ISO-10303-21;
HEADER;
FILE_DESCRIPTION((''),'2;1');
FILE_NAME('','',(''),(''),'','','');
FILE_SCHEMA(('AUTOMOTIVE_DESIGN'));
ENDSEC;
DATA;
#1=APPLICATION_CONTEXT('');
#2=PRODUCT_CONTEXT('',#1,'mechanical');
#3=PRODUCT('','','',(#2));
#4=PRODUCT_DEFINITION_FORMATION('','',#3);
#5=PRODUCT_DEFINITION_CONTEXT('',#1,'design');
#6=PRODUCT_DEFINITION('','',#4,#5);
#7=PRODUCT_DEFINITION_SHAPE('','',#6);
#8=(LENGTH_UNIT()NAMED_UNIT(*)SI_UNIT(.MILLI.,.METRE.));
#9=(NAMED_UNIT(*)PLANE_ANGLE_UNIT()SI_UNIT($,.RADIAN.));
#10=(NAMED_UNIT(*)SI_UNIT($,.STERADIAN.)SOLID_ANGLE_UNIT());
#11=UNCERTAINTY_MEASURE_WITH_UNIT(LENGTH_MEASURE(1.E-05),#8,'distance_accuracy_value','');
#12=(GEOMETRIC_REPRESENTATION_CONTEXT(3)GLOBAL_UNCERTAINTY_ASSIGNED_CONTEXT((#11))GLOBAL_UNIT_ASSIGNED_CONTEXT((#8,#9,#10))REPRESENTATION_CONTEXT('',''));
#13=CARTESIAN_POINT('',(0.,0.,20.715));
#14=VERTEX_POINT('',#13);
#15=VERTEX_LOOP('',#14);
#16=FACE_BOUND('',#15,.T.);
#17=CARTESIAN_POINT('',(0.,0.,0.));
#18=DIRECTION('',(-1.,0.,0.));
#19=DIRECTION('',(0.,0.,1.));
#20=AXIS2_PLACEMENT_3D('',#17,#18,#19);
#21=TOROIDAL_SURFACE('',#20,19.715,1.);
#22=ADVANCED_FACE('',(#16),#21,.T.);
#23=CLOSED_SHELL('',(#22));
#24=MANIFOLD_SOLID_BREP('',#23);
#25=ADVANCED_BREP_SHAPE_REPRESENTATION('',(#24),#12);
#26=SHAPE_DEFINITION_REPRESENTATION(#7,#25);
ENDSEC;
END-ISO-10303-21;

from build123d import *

# Parameters (mm, degrees)
SCHIZZO2_R = 1


with BuildPart() as part:
    # Schizzo2 → Rivoluzione1 (revolve)
    with BuildSketch(Plane.XY, mode=Mode.PRIVATE) as rivoluzione1_sk:
        with Locations((0, 19.715)):
            Circle(SCHIZZO2_R)
    revolve(rivoluzione1_sk.sketch.rotate(Axis((-1.1, 0, 0), (1, 0, 0)), 90), axis=Axis((-1.1, 0, 0), (1, 0, 0)))


solid = part.part
